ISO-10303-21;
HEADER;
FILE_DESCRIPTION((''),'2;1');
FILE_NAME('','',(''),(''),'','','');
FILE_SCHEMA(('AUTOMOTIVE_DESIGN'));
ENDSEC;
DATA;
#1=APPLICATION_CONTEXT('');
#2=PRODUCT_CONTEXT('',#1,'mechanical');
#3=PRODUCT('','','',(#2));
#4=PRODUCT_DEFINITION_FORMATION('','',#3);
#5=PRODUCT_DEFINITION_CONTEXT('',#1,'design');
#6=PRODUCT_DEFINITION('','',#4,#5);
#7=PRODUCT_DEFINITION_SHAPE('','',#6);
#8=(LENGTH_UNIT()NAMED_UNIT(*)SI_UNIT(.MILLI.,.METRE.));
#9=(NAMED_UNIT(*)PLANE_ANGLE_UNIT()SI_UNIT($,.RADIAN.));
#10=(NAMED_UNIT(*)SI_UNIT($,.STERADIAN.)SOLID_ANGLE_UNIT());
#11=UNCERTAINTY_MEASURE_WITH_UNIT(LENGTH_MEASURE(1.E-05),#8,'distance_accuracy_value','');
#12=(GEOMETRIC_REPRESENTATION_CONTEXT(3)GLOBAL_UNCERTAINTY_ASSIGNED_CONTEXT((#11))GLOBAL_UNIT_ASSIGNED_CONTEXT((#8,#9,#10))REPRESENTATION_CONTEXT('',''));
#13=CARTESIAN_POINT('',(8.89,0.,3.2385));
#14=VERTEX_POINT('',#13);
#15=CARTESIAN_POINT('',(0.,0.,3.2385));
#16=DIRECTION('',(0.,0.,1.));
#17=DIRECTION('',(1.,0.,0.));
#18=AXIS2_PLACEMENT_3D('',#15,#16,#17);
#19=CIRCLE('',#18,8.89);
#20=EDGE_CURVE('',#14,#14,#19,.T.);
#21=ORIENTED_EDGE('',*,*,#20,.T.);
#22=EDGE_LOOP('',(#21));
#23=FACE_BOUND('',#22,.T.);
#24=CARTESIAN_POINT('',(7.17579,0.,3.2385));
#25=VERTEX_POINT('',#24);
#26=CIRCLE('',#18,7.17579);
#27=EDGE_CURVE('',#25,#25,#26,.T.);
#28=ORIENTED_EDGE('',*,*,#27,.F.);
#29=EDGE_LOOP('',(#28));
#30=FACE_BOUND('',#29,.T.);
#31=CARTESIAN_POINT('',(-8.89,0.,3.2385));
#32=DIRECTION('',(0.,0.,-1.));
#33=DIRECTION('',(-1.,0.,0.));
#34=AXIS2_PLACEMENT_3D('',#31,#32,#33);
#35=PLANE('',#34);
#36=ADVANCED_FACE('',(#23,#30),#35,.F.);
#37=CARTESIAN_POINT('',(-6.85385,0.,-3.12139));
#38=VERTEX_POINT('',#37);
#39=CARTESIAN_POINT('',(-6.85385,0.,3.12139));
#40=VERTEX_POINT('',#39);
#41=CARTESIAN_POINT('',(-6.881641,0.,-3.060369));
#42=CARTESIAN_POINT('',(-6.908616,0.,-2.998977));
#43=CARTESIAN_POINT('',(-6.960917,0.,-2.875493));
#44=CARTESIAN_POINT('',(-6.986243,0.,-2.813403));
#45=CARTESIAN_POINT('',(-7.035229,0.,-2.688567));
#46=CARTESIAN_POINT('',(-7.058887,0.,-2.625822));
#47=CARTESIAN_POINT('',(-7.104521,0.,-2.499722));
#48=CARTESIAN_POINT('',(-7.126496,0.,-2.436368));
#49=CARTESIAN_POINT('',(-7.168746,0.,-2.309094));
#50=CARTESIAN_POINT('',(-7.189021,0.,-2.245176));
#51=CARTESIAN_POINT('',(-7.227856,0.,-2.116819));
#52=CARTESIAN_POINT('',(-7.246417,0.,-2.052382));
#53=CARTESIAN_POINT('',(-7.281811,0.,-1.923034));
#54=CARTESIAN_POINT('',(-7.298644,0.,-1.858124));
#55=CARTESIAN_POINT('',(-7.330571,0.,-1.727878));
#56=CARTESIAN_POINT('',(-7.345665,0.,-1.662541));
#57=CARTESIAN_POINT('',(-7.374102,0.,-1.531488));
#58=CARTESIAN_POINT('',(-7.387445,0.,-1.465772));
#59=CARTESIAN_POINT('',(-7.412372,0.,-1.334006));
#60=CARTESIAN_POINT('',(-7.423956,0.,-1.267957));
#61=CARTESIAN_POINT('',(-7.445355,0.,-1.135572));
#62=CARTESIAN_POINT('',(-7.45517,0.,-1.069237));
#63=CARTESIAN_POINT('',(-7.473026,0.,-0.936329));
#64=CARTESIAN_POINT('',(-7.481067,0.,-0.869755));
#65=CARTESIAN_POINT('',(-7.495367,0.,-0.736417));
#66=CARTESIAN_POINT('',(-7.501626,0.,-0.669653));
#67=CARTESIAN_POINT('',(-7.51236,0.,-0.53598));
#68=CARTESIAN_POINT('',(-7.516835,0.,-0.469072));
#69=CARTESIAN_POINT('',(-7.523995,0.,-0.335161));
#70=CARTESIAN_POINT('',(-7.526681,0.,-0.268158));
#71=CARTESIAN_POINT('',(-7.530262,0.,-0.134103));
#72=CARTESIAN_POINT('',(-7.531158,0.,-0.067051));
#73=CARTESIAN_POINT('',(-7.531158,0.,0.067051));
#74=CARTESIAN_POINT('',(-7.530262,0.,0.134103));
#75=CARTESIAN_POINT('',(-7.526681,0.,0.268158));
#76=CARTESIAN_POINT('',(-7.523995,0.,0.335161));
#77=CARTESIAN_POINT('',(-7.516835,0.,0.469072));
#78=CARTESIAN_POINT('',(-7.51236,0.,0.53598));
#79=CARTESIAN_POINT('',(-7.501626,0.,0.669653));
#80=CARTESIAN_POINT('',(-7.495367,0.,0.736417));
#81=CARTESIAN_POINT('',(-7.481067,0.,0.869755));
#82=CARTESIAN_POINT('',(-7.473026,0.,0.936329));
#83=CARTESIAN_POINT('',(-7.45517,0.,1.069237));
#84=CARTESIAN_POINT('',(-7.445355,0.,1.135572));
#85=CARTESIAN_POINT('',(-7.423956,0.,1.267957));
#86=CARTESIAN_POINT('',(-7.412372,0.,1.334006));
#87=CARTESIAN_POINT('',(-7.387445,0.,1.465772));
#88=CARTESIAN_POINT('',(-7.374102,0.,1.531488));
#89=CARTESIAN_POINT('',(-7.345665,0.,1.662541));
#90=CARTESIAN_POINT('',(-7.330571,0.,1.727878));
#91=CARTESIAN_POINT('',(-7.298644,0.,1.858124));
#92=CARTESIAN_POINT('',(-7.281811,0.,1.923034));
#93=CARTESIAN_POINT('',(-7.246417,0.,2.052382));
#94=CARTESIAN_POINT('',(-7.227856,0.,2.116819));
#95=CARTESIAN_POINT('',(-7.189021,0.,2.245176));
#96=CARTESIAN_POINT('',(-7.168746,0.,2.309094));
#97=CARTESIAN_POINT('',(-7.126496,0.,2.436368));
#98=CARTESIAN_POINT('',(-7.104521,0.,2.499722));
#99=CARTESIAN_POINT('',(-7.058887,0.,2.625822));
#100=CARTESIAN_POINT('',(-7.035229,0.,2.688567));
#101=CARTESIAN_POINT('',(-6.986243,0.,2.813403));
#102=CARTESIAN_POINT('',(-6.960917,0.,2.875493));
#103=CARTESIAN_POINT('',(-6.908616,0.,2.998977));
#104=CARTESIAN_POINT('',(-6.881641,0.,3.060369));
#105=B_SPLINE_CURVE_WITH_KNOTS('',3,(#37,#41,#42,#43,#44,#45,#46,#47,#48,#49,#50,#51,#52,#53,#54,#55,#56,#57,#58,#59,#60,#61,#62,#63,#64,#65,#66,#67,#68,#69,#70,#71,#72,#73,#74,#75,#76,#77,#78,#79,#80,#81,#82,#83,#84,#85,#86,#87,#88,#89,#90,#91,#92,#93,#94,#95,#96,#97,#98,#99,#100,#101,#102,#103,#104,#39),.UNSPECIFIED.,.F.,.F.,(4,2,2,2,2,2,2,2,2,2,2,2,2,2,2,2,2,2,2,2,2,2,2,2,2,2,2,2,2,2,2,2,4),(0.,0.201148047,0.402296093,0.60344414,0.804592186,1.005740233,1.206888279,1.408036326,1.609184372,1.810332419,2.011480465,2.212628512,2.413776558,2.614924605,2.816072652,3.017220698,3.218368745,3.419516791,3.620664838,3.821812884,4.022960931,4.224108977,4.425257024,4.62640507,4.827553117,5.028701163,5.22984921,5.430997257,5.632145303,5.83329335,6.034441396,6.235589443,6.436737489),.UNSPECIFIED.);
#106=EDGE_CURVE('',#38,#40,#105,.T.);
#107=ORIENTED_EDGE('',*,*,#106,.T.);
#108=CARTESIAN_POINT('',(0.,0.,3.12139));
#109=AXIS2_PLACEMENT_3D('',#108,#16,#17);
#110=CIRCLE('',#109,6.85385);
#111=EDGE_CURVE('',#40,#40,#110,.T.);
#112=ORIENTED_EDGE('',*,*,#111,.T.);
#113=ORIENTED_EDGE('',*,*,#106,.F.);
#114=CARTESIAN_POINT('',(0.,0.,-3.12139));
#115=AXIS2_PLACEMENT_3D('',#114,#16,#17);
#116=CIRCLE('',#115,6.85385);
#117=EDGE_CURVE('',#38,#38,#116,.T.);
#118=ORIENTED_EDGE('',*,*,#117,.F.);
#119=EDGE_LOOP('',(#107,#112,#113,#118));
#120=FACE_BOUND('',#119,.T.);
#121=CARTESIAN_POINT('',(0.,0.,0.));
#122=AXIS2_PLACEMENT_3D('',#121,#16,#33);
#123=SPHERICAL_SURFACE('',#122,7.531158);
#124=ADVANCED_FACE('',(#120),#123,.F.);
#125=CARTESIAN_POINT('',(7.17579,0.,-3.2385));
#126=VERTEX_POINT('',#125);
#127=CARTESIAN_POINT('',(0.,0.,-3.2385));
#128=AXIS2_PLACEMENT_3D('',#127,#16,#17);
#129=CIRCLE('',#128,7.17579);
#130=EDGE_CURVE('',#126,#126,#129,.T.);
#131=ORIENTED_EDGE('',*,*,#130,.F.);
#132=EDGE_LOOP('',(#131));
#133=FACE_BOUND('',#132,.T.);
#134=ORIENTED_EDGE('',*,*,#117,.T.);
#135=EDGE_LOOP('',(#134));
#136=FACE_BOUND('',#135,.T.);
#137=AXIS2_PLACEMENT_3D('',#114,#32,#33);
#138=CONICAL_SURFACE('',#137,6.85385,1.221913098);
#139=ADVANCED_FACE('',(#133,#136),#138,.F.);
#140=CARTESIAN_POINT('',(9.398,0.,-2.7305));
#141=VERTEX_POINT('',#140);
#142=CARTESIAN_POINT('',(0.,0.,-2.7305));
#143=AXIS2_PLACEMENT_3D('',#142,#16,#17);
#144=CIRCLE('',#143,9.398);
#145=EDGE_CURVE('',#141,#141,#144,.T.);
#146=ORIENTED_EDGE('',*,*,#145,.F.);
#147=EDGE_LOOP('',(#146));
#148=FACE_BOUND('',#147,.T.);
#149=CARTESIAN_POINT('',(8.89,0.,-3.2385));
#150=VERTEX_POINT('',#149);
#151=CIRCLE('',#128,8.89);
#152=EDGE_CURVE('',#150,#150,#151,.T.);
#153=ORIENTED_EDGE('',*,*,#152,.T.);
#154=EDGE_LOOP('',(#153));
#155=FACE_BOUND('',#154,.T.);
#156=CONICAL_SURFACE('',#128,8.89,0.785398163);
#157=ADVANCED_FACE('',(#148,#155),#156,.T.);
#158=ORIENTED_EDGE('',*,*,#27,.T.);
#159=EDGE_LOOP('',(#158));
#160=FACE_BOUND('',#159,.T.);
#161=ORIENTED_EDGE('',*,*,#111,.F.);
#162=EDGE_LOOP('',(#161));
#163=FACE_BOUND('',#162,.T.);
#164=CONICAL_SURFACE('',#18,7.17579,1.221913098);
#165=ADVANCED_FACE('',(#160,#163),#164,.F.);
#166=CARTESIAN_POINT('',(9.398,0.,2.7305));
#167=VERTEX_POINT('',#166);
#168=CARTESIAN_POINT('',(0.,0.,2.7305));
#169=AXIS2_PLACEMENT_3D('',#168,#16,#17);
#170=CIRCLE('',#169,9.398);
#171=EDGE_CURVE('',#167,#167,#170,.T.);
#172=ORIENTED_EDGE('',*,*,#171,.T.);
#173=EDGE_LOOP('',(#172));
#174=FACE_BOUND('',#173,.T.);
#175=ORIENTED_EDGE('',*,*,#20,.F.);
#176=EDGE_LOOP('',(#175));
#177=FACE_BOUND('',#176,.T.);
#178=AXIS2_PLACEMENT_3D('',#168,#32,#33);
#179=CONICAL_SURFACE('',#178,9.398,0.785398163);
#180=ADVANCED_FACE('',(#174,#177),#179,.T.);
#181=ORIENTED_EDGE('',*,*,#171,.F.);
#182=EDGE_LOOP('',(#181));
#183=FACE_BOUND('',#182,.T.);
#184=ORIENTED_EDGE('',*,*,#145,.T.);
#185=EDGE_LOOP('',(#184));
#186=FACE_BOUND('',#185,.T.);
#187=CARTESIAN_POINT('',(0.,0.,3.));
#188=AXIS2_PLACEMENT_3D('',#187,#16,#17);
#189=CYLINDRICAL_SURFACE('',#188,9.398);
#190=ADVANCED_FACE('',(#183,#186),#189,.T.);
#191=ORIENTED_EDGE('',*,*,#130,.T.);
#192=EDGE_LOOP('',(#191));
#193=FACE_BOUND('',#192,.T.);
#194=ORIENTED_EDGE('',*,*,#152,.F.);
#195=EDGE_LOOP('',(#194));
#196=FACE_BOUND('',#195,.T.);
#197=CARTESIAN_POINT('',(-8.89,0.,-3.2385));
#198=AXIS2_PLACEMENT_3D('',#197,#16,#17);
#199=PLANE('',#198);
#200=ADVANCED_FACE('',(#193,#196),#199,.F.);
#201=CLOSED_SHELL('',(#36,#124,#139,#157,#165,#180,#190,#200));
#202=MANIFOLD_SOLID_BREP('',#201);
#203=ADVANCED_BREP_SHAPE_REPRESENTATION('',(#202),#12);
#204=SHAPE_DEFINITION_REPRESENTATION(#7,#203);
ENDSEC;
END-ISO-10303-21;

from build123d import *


with BuildPart() as part:
    # Sketch1 → Revolve1 (revolve)
    with BuildSketch(Plane(origin=(0, 0, 0), x_dir=(1, 0, 0), z_dir=(0, 1, 0))):
        with BuildLine():
            Line((-9.398, 2.7305), (-9.398, -2.7305))
            Line((-9.398, -2.7305), (-8.89, -3.2385))
            Line((-8.89, -3.2385), (-7.17579, -3.2385))
            Line((-7.17579, -3.2385), (-6.85385, -3.12139))
            ThreePointArc((-6.85385, -3.12139), (-7.531157637, 0), (-6.85385, 3.12139))
            Line((-6.85385, 3.12139), (-7.17579, 3.2385))
            Line((-7.17579, 3.2385), (-8.89, 3.2385))
            Line((-8.89, 3.2385), (-9.398, 2.7305))
        make_face()
    revolve(axis=Axis((0, 0, 3), (0, 0, -1)))


solid = part.part
